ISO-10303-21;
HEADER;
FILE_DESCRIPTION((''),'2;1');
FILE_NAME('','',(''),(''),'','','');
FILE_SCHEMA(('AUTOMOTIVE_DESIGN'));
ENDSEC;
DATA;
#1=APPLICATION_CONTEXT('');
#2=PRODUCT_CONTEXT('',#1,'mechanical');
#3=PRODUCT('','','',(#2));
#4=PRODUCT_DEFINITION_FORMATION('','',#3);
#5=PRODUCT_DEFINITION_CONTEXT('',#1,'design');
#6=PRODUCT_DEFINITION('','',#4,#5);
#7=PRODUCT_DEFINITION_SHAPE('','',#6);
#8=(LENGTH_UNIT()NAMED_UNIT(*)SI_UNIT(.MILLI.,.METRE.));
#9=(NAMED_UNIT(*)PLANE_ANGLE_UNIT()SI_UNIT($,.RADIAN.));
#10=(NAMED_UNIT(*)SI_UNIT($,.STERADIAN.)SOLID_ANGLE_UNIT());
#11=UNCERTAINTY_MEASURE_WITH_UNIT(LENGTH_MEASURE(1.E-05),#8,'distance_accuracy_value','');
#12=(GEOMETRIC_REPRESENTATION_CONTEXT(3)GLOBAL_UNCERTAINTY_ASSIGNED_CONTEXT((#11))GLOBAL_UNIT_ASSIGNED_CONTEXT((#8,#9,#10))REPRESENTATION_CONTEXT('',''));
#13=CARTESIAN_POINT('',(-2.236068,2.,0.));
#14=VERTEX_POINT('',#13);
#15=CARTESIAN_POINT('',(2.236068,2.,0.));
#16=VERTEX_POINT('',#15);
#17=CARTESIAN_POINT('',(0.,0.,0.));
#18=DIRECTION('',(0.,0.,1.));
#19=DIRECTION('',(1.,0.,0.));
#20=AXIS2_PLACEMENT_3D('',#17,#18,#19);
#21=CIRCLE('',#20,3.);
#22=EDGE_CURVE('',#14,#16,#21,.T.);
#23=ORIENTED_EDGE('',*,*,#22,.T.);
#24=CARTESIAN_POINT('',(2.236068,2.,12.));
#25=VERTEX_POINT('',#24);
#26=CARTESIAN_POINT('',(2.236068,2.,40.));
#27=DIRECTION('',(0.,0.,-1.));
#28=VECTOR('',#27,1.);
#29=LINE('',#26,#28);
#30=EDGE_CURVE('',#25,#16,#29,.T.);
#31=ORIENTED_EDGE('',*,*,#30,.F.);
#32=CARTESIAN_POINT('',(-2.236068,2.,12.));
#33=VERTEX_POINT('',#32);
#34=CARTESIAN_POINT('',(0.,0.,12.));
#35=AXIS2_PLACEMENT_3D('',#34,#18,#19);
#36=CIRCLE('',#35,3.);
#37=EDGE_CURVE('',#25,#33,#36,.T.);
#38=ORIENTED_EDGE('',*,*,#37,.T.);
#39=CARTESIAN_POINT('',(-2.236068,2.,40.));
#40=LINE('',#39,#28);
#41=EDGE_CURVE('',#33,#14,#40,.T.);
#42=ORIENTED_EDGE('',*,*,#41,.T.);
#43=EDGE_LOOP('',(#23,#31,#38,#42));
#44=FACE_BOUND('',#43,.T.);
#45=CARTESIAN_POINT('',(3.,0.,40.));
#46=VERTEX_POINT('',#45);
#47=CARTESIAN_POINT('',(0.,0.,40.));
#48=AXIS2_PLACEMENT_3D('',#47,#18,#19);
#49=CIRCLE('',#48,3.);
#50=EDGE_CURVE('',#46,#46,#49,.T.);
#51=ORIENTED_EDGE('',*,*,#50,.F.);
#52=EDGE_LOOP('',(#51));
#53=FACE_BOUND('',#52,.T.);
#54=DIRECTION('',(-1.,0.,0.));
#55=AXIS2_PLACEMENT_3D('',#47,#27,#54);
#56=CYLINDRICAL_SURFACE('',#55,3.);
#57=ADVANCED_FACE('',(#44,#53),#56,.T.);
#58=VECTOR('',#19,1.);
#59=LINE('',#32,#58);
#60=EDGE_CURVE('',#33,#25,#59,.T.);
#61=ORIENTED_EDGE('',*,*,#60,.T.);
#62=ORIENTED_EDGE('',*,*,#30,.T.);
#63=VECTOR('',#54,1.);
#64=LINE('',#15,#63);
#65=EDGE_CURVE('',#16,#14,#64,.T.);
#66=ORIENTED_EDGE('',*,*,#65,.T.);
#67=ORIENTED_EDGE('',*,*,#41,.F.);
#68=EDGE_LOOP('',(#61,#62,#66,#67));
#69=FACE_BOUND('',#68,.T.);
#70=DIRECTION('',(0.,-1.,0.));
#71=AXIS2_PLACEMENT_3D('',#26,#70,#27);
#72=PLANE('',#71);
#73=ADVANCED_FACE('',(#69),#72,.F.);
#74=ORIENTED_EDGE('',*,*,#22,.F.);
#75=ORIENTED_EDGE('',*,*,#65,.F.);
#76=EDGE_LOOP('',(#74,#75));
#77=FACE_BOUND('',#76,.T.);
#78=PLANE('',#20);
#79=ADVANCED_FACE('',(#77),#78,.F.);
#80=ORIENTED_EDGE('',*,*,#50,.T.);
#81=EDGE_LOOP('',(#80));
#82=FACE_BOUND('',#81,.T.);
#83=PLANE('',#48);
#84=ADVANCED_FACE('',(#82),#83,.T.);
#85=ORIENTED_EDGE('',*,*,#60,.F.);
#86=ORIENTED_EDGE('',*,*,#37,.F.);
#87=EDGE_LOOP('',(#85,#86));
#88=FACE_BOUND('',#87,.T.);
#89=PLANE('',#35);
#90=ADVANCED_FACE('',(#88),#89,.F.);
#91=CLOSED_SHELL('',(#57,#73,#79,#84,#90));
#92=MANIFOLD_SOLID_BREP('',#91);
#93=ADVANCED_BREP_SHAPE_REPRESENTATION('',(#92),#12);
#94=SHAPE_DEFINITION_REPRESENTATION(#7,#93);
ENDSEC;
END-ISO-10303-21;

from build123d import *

# Parameters (mm, degrees)
BOSS_EXTRUDE1_DEPTH = 40
BOSS_EXTRUDE2_DEPTH = 28


with BuildPart() as part:
    # Sketch1 → Boss-Extrude1 (new body)
    with BuildSketch(Plane.XY):
        with BuildLine():
            Line((2.236067977, 2), (-2.236067977, 2))
            ThreePointArc((-2.236067977, 2), (0, -3), (2.236067977, 2))
        make_face()
    extrude(amount=BOSS_EXTRUDE1_DEPTH)

    # Sketch2 → Boss-Extrude2 (add)
    with BuildSketch(Plane.XY.offset(40)):
        with BuildLine():
            Line((-2.236067977, 2), (2.236067977, 2))
            ThreePointArc((2.236067977, 2), (0, 3), (-2.236067977, 2))
        make_face()
    extrude(amount=-BOSS_EXTRUDE2_DEPTH)


solid = part.part
